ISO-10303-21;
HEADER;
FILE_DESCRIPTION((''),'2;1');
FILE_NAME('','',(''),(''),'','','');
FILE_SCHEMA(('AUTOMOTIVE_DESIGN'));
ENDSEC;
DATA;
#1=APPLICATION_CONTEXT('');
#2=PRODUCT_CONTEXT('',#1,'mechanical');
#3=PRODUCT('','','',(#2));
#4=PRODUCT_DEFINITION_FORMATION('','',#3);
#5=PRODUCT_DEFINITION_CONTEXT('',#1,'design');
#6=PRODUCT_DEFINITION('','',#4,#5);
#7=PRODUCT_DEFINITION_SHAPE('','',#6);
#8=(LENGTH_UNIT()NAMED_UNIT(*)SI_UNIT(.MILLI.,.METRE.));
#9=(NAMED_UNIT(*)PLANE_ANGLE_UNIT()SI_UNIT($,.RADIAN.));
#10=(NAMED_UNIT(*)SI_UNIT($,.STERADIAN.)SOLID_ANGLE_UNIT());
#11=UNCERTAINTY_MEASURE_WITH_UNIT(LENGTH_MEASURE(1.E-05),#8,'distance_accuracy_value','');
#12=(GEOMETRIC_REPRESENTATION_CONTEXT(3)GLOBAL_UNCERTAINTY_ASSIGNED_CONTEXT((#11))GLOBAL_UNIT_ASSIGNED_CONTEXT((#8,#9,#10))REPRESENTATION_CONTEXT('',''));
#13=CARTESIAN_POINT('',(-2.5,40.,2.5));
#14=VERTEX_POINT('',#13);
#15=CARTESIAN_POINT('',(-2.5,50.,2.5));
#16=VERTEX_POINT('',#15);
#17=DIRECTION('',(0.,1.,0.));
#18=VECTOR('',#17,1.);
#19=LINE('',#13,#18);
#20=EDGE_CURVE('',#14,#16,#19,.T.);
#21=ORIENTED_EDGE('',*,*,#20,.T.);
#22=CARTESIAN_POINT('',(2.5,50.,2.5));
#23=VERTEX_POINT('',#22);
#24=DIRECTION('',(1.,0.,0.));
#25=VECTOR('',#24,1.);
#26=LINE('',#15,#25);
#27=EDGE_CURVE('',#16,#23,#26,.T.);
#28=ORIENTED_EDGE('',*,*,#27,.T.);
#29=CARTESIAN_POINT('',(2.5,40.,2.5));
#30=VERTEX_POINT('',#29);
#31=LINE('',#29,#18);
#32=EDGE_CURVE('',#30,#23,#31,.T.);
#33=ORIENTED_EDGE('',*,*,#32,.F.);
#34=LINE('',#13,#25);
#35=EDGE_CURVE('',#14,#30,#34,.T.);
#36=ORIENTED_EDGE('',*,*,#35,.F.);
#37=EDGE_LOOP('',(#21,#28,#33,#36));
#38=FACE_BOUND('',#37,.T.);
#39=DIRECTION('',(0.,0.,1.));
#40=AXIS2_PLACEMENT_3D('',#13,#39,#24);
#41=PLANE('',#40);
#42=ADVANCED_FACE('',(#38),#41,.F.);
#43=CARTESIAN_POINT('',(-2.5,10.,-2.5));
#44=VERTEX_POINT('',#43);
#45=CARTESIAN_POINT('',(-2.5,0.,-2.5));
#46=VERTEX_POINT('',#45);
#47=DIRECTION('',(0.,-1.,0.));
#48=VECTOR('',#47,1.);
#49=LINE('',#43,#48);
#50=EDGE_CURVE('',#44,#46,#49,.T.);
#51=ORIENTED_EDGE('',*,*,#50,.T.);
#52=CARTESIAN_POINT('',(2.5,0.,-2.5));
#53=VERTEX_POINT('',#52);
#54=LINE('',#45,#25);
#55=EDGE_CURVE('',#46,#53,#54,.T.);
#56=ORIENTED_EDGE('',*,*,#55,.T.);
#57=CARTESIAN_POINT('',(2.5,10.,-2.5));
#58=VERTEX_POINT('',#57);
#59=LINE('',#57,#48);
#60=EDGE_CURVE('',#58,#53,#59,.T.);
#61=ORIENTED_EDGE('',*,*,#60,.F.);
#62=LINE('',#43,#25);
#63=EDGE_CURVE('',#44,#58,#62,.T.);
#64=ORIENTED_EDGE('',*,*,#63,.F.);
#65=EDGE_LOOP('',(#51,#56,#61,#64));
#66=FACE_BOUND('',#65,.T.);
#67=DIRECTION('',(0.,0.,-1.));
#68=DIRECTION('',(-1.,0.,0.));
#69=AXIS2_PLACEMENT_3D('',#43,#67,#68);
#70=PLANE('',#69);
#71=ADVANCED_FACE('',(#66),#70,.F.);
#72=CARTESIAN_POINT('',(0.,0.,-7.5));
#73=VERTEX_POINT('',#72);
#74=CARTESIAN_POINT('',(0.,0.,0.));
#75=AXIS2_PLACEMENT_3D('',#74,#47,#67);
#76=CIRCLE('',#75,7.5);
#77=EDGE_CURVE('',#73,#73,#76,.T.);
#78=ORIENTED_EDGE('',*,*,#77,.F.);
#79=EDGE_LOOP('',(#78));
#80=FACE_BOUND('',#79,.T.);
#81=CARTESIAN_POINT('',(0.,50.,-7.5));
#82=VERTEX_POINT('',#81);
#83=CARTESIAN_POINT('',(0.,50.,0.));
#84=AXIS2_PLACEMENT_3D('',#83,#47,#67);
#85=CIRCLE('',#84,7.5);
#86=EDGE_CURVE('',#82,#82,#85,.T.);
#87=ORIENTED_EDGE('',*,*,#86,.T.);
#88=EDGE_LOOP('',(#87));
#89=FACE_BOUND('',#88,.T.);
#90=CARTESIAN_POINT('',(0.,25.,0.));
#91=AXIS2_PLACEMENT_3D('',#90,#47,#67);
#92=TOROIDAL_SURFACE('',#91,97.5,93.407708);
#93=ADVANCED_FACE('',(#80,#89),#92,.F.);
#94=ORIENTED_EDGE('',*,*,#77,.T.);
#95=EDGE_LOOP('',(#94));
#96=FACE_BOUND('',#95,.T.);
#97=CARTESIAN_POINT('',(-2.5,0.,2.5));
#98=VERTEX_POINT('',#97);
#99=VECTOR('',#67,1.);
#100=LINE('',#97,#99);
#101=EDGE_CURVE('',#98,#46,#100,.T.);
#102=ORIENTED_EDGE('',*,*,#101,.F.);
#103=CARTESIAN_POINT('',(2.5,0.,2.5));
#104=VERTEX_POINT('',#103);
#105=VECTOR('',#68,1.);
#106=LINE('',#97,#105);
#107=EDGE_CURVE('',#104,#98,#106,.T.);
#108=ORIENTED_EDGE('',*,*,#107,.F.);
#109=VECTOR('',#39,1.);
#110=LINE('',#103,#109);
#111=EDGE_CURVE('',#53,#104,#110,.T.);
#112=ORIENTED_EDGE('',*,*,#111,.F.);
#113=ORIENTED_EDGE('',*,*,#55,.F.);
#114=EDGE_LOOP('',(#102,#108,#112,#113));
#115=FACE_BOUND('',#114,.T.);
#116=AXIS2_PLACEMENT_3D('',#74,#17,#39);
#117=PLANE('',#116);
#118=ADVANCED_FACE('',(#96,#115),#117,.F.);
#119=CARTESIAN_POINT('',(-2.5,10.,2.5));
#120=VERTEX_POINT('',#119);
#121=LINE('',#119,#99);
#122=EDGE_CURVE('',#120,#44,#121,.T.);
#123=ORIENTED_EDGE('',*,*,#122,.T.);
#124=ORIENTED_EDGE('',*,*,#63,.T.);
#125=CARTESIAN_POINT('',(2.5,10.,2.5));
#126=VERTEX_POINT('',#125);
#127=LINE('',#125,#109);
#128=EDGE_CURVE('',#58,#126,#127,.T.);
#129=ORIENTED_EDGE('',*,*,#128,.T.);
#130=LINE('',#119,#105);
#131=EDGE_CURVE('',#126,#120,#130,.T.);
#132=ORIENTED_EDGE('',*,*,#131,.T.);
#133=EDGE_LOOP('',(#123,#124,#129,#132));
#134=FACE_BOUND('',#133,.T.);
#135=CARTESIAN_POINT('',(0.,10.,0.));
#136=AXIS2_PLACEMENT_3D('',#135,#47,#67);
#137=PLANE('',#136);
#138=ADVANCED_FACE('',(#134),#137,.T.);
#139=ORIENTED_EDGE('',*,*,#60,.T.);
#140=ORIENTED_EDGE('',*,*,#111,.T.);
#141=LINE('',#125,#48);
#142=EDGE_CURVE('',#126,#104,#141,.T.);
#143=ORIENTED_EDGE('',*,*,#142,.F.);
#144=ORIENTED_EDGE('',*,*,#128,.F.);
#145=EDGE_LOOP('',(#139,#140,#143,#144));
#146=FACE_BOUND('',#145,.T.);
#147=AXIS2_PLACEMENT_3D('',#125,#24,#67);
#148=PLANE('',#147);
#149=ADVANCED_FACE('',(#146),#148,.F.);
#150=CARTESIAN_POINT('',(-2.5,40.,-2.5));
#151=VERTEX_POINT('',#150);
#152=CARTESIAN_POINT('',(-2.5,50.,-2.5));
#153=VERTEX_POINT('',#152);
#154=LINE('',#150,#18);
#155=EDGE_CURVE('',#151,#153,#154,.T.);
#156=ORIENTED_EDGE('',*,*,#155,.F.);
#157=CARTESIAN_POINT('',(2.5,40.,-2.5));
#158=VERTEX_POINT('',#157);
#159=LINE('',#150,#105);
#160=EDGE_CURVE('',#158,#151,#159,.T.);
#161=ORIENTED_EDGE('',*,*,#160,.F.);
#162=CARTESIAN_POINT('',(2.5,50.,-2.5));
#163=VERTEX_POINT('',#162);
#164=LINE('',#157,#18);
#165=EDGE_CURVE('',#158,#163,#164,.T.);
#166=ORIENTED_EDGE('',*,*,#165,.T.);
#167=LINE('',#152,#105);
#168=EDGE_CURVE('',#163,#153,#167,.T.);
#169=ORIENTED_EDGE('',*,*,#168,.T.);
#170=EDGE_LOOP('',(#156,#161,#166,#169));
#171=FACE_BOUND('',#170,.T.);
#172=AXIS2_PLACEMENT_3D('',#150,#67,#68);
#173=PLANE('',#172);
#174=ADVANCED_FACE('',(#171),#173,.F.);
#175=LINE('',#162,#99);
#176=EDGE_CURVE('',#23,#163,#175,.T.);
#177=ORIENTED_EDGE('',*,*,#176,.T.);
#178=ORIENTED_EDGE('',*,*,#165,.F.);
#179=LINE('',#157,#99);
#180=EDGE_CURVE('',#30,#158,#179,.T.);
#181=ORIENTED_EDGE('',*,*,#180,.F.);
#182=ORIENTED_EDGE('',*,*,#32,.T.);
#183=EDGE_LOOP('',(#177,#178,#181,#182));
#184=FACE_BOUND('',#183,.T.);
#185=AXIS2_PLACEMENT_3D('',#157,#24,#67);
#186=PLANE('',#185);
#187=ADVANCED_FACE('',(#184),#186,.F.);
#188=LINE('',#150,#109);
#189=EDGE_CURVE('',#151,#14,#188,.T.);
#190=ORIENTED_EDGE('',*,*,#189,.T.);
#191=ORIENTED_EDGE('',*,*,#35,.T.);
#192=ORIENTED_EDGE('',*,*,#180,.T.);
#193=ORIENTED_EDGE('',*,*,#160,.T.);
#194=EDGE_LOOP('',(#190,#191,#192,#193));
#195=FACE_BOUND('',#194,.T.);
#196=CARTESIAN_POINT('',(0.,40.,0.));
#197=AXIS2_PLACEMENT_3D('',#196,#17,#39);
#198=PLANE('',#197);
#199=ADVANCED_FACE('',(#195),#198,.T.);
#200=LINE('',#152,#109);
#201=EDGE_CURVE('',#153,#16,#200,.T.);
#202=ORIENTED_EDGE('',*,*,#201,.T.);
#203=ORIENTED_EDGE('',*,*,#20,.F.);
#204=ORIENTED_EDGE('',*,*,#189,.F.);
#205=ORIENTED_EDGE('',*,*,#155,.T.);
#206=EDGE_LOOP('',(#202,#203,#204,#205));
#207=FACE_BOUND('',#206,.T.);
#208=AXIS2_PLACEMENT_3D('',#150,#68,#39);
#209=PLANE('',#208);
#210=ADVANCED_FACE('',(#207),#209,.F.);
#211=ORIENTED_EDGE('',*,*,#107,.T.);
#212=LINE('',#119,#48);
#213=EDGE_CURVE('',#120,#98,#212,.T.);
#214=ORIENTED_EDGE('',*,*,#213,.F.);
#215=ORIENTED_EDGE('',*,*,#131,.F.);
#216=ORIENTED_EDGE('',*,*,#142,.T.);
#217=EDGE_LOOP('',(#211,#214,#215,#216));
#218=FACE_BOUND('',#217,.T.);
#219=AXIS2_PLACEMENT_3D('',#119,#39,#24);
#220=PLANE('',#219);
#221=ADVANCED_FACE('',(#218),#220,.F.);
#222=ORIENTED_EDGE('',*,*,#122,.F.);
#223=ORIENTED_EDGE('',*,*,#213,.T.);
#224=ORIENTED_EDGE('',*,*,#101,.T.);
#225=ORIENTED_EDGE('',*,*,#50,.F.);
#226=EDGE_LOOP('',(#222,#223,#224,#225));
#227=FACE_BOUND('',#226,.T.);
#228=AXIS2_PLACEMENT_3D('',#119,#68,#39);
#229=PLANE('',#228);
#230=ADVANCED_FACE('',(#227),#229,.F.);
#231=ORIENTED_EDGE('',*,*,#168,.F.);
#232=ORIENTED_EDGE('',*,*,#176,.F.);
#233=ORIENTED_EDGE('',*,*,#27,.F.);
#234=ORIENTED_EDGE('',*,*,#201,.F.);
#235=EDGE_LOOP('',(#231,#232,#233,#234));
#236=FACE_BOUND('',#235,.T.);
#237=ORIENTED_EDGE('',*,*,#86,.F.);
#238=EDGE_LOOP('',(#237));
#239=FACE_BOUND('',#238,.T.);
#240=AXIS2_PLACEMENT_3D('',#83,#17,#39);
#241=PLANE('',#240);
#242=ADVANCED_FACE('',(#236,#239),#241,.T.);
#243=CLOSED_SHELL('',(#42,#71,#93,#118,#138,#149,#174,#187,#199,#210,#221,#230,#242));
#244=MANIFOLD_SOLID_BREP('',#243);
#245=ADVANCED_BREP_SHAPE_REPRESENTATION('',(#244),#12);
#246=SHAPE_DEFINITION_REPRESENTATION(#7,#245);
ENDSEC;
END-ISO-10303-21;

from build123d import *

# Parameters (mm, degrees)
SKETCH_1_R          = 7.5
EXTRUDE_1_DEPTH     = 50
SKETCH_2_W          = 5
SKETCH_2_H          = 5
CUT_EXTRUDE_1_DEPTH = 10
SKETCH_3_W          = 5
SKETCH_3_H          = 5
CUT_EXTRUDE_2_DEPTH = 10


with BuildPart() as part:
    # 草图1 → 凸台-拉伸1 (new body)
    with BuildSketch(Plane(origin=(0, 0, 0), x_dir=(1, 0, 0), z_dir=(0, 1, 0))):
        Circle(SKETCH_1_R)
    extrude(amount=EXTRUDE_1_DEPTH)

    # 草图2 → 切除-拉伸1 (cut)
    with BuildSketch(Plane(origin=(0, 50, 0), x_dir=(1, 0, 0), z_dir=(0, 1, 0))):
        Rectangle(SKETCH_2_W, SKETCH_2_H)
    extrude(amount=-CUT_EXTRUDE_1_DEPTH, mode=Mode.SUBTRACT)

    # 草图3 → 切除-拉伸2 (cut)
    with BuildSketch(Plane.XZ):
        Rectangle(SKETCH_3_W, SKETCH_3_H)
    extrude(amount=-CUT_EXTRUDE_2_DEPTH, mode=Mode.SUBTRACT)

    # 草图4 → 切除-旋转1 (revolve, cut)
    with BuildSketch(Plane(origin=(0, 0, 0), x_dir=(0, 0, -1), z_dir=(1, 0, 0))):
        with BuildLine():
            Line((-7.5, 50), (-7.5, 0))
            ThreePointArc((-7.5, 0), (-4.092291539, 25), (-7.5, 50))
        make_face()
    revolve(axis=Axis((0, 0, 0), (0, 1, 0)), mode=Mode.SUBTRACT)


solid = part.part
